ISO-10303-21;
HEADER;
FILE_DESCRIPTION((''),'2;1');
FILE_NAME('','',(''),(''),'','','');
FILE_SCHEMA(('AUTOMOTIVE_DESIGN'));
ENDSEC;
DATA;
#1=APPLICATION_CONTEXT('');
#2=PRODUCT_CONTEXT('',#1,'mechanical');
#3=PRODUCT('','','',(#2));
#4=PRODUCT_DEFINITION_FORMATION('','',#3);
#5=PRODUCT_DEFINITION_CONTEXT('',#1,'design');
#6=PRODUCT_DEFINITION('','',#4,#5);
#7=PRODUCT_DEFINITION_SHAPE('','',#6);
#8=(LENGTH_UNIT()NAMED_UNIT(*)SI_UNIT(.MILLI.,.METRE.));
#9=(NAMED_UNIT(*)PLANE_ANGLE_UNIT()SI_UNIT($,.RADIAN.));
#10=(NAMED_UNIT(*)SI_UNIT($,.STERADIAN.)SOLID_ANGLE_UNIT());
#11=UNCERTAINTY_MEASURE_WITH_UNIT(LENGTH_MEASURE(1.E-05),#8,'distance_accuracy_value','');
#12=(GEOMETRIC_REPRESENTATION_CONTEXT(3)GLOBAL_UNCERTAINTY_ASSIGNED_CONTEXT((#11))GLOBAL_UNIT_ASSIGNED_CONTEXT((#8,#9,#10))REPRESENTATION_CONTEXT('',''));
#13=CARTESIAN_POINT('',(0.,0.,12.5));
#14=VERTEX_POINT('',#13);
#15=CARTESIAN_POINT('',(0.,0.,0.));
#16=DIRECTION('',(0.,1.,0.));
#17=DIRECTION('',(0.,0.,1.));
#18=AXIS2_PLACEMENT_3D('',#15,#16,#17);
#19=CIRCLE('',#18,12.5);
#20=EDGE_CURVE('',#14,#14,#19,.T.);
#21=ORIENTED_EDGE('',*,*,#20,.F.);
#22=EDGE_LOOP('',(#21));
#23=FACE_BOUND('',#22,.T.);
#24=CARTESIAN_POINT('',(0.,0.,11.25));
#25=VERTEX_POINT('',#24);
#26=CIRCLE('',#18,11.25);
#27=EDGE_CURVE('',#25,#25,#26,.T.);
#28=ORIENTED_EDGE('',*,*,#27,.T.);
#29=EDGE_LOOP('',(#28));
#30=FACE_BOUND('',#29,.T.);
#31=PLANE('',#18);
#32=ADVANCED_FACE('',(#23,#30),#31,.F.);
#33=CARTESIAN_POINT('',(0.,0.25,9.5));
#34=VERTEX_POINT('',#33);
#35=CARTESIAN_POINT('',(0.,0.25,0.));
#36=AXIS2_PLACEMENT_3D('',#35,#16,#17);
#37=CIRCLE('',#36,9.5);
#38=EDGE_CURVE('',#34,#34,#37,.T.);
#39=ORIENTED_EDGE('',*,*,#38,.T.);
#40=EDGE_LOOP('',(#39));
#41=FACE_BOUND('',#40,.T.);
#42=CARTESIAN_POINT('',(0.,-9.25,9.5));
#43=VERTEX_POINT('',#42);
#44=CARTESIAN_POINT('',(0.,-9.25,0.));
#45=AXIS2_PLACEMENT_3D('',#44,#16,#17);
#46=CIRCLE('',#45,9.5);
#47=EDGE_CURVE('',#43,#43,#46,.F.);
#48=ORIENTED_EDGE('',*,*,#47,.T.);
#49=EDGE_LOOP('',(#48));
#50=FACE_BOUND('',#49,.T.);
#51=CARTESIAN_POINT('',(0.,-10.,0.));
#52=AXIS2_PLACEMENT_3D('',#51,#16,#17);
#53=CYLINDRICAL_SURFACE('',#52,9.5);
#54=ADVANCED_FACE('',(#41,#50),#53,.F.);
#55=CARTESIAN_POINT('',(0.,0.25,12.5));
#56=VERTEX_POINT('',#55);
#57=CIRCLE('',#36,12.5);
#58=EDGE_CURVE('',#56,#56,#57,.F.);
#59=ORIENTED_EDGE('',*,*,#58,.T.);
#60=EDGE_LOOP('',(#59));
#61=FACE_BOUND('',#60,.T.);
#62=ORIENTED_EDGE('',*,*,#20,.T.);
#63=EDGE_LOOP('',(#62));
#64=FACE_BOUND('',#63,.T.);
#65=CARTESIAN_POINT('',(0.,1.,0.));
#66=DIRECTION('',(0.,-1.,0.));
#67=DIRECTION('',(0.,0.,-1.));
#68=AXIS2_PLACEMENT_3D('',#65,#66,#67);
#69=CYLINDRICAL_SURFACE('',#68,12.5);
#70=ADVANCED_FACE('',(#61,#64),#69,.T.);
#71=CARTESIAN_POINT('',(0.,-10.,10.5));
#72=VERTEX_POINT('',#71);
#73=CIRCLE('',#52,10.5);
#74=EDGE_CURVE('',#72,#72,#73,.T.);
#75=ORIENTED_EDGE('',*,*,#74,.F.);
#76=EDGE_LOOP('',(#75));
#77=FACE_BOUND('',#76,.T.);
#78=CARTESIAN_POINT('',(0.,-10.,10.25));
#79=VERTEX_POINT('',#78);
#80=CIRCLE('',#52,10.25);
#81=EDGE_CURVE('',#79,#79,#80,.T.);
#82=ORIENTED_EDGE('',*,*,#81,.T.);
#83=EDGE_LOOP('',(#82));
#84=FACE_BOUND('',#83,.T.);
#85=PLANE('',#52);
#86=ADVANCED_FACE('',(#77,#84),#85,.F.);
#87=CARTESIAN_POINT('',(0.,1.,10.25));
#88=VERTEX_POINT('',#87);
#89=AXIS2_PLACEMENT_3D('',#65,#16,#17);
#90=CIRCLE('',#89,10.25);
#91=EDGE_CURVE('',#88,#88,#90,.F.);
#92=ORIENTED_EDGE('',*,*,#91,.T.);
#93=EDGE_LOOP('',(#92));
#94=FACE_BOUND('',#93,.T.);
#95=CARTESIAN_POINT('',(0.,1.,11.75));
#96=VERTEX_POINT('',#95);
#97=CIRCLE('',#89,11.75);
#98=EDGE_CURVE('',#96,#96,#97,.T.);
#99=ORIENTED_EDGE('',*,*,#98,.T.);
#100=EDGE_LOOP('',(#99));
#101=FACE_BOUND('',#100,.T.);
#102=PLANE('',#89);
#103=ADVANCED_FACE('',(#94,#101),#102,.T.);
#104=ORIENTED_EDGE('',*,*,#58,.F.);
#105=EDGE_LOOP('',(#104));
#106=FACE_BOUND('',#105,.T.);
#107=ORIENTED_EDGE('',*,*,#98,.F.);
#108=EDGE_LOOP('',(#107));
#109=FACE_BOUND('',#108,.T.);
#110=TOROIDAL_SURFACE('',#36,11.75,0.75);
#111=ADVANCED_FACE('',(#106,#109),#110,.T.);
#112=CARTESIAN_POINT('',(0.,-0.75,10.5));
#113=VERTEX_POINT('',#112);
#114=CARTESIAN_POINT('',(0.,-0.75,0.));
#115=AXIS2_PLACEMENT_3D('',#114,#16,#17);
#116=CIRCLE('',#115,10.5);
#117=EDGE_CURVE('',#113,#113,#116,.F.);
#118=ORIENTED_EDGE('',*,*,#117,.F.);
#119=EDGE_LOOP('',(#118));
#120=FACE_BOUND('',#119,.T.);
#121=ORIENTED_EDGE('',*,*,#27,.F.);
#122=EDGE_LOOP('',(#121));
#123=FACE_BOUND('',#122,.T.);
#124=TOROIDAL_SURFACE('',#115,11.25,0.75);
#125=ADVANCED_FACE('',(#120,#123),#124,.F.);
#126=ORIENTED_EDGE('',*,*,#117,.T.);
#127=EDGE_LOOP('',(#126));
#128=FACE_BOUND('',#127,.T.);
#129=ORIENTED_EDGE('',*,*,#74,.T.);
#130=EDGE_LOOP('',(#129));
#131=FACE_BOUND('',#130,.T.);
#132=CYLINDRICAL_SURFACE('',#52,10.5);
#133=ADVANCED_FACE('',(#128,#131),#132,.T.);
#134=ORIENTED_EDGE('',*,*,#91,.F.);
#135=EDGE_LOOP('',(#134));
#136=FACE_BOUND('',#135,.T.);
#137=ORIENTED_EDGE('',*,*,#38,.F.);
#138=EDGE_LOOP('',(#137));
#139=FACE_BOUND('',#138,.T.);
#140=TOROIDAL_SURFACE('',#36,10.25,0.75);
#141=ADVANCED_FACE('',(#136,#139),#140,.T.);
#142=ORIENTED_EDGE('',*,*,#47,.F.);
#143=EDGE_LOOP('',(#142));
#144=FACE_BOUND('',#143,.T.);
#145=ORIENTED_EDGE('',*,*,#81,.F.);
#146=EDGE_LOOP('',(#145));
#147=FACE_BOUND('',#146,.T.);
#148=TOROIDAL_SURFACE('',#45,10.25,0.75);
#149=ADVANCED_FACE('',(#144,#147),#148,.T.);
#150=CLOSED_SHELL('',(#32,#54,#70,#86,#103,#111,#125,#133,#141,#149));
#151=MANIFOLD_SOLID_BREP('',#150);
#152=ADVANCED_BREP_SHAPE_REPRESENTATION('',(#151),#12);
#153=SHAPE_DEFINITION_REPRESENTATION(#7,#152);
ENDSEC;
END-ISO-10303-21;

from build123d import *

# Parameters (mm, degrees)
SKETCH1_R           = 10.5
SKETCH1_R_2         = 9.5
BOSS_EXTRUDE1_DEPTH = 10
BOSS_EXTRUDE2_START = 1
SKETCH2_R           = 12.5
SKETCH2_R_2         = 9.5
BOSS_EXTRUDE2_DEPTH = 1
FILLET1_R           = 0.75


with BuildPart() as part:
    # Sketch1 → Boss-Extrude1 (new body)
    with BuildSketch(Plane(origin=(0, 0, 0), x_dir=(1, 0, 0), z_dir=(0, 1, 0))):
        with Locations(Location((0, 0, 0), (0, 0, 270))):
            Circle(SKETCH1_R)
        with Locations(Location((0, 0, 0), (0, 0, 270))):
            Circle(SKETCH1_R_2, mode=Mode.SUBTRACT)
    extrude(amount=-BOSS_EXTRUDE1_DEPTH)

    # Sketch2 → Boss-Extrude2 (add)
    with BuildSketch(Plane(origin=(0, 0, 0), x_dir=(1, 0, 0), z_dir=(0, 1, 0)).offset(BOSS_EXTRUDE2_START)):
        with Locations(Location((0, 0, 0), (0, 0, 270))):
            Circle(SKETCH2_R)
        with Locations(Location((0, 0, 0), (0, 0, 270))):
            Circle(SKETCH2_R_2, mode=Mode.SUBTRACT)
    extrude(amount=-BOSS_EXTRUDE2_DEPTH)

    # Fillet1
    fillet1_edges = [part.edges().sort_by_distance(p)[0] for p in [
        (0, 1, -12.5),
        (0, 1, -9.5),
        (0, 0, -10.5),
        (0, -10, -9.5),
    ]]
    fillet(fillet1_edges, radius=FILLET1_R)


solid = part.part
